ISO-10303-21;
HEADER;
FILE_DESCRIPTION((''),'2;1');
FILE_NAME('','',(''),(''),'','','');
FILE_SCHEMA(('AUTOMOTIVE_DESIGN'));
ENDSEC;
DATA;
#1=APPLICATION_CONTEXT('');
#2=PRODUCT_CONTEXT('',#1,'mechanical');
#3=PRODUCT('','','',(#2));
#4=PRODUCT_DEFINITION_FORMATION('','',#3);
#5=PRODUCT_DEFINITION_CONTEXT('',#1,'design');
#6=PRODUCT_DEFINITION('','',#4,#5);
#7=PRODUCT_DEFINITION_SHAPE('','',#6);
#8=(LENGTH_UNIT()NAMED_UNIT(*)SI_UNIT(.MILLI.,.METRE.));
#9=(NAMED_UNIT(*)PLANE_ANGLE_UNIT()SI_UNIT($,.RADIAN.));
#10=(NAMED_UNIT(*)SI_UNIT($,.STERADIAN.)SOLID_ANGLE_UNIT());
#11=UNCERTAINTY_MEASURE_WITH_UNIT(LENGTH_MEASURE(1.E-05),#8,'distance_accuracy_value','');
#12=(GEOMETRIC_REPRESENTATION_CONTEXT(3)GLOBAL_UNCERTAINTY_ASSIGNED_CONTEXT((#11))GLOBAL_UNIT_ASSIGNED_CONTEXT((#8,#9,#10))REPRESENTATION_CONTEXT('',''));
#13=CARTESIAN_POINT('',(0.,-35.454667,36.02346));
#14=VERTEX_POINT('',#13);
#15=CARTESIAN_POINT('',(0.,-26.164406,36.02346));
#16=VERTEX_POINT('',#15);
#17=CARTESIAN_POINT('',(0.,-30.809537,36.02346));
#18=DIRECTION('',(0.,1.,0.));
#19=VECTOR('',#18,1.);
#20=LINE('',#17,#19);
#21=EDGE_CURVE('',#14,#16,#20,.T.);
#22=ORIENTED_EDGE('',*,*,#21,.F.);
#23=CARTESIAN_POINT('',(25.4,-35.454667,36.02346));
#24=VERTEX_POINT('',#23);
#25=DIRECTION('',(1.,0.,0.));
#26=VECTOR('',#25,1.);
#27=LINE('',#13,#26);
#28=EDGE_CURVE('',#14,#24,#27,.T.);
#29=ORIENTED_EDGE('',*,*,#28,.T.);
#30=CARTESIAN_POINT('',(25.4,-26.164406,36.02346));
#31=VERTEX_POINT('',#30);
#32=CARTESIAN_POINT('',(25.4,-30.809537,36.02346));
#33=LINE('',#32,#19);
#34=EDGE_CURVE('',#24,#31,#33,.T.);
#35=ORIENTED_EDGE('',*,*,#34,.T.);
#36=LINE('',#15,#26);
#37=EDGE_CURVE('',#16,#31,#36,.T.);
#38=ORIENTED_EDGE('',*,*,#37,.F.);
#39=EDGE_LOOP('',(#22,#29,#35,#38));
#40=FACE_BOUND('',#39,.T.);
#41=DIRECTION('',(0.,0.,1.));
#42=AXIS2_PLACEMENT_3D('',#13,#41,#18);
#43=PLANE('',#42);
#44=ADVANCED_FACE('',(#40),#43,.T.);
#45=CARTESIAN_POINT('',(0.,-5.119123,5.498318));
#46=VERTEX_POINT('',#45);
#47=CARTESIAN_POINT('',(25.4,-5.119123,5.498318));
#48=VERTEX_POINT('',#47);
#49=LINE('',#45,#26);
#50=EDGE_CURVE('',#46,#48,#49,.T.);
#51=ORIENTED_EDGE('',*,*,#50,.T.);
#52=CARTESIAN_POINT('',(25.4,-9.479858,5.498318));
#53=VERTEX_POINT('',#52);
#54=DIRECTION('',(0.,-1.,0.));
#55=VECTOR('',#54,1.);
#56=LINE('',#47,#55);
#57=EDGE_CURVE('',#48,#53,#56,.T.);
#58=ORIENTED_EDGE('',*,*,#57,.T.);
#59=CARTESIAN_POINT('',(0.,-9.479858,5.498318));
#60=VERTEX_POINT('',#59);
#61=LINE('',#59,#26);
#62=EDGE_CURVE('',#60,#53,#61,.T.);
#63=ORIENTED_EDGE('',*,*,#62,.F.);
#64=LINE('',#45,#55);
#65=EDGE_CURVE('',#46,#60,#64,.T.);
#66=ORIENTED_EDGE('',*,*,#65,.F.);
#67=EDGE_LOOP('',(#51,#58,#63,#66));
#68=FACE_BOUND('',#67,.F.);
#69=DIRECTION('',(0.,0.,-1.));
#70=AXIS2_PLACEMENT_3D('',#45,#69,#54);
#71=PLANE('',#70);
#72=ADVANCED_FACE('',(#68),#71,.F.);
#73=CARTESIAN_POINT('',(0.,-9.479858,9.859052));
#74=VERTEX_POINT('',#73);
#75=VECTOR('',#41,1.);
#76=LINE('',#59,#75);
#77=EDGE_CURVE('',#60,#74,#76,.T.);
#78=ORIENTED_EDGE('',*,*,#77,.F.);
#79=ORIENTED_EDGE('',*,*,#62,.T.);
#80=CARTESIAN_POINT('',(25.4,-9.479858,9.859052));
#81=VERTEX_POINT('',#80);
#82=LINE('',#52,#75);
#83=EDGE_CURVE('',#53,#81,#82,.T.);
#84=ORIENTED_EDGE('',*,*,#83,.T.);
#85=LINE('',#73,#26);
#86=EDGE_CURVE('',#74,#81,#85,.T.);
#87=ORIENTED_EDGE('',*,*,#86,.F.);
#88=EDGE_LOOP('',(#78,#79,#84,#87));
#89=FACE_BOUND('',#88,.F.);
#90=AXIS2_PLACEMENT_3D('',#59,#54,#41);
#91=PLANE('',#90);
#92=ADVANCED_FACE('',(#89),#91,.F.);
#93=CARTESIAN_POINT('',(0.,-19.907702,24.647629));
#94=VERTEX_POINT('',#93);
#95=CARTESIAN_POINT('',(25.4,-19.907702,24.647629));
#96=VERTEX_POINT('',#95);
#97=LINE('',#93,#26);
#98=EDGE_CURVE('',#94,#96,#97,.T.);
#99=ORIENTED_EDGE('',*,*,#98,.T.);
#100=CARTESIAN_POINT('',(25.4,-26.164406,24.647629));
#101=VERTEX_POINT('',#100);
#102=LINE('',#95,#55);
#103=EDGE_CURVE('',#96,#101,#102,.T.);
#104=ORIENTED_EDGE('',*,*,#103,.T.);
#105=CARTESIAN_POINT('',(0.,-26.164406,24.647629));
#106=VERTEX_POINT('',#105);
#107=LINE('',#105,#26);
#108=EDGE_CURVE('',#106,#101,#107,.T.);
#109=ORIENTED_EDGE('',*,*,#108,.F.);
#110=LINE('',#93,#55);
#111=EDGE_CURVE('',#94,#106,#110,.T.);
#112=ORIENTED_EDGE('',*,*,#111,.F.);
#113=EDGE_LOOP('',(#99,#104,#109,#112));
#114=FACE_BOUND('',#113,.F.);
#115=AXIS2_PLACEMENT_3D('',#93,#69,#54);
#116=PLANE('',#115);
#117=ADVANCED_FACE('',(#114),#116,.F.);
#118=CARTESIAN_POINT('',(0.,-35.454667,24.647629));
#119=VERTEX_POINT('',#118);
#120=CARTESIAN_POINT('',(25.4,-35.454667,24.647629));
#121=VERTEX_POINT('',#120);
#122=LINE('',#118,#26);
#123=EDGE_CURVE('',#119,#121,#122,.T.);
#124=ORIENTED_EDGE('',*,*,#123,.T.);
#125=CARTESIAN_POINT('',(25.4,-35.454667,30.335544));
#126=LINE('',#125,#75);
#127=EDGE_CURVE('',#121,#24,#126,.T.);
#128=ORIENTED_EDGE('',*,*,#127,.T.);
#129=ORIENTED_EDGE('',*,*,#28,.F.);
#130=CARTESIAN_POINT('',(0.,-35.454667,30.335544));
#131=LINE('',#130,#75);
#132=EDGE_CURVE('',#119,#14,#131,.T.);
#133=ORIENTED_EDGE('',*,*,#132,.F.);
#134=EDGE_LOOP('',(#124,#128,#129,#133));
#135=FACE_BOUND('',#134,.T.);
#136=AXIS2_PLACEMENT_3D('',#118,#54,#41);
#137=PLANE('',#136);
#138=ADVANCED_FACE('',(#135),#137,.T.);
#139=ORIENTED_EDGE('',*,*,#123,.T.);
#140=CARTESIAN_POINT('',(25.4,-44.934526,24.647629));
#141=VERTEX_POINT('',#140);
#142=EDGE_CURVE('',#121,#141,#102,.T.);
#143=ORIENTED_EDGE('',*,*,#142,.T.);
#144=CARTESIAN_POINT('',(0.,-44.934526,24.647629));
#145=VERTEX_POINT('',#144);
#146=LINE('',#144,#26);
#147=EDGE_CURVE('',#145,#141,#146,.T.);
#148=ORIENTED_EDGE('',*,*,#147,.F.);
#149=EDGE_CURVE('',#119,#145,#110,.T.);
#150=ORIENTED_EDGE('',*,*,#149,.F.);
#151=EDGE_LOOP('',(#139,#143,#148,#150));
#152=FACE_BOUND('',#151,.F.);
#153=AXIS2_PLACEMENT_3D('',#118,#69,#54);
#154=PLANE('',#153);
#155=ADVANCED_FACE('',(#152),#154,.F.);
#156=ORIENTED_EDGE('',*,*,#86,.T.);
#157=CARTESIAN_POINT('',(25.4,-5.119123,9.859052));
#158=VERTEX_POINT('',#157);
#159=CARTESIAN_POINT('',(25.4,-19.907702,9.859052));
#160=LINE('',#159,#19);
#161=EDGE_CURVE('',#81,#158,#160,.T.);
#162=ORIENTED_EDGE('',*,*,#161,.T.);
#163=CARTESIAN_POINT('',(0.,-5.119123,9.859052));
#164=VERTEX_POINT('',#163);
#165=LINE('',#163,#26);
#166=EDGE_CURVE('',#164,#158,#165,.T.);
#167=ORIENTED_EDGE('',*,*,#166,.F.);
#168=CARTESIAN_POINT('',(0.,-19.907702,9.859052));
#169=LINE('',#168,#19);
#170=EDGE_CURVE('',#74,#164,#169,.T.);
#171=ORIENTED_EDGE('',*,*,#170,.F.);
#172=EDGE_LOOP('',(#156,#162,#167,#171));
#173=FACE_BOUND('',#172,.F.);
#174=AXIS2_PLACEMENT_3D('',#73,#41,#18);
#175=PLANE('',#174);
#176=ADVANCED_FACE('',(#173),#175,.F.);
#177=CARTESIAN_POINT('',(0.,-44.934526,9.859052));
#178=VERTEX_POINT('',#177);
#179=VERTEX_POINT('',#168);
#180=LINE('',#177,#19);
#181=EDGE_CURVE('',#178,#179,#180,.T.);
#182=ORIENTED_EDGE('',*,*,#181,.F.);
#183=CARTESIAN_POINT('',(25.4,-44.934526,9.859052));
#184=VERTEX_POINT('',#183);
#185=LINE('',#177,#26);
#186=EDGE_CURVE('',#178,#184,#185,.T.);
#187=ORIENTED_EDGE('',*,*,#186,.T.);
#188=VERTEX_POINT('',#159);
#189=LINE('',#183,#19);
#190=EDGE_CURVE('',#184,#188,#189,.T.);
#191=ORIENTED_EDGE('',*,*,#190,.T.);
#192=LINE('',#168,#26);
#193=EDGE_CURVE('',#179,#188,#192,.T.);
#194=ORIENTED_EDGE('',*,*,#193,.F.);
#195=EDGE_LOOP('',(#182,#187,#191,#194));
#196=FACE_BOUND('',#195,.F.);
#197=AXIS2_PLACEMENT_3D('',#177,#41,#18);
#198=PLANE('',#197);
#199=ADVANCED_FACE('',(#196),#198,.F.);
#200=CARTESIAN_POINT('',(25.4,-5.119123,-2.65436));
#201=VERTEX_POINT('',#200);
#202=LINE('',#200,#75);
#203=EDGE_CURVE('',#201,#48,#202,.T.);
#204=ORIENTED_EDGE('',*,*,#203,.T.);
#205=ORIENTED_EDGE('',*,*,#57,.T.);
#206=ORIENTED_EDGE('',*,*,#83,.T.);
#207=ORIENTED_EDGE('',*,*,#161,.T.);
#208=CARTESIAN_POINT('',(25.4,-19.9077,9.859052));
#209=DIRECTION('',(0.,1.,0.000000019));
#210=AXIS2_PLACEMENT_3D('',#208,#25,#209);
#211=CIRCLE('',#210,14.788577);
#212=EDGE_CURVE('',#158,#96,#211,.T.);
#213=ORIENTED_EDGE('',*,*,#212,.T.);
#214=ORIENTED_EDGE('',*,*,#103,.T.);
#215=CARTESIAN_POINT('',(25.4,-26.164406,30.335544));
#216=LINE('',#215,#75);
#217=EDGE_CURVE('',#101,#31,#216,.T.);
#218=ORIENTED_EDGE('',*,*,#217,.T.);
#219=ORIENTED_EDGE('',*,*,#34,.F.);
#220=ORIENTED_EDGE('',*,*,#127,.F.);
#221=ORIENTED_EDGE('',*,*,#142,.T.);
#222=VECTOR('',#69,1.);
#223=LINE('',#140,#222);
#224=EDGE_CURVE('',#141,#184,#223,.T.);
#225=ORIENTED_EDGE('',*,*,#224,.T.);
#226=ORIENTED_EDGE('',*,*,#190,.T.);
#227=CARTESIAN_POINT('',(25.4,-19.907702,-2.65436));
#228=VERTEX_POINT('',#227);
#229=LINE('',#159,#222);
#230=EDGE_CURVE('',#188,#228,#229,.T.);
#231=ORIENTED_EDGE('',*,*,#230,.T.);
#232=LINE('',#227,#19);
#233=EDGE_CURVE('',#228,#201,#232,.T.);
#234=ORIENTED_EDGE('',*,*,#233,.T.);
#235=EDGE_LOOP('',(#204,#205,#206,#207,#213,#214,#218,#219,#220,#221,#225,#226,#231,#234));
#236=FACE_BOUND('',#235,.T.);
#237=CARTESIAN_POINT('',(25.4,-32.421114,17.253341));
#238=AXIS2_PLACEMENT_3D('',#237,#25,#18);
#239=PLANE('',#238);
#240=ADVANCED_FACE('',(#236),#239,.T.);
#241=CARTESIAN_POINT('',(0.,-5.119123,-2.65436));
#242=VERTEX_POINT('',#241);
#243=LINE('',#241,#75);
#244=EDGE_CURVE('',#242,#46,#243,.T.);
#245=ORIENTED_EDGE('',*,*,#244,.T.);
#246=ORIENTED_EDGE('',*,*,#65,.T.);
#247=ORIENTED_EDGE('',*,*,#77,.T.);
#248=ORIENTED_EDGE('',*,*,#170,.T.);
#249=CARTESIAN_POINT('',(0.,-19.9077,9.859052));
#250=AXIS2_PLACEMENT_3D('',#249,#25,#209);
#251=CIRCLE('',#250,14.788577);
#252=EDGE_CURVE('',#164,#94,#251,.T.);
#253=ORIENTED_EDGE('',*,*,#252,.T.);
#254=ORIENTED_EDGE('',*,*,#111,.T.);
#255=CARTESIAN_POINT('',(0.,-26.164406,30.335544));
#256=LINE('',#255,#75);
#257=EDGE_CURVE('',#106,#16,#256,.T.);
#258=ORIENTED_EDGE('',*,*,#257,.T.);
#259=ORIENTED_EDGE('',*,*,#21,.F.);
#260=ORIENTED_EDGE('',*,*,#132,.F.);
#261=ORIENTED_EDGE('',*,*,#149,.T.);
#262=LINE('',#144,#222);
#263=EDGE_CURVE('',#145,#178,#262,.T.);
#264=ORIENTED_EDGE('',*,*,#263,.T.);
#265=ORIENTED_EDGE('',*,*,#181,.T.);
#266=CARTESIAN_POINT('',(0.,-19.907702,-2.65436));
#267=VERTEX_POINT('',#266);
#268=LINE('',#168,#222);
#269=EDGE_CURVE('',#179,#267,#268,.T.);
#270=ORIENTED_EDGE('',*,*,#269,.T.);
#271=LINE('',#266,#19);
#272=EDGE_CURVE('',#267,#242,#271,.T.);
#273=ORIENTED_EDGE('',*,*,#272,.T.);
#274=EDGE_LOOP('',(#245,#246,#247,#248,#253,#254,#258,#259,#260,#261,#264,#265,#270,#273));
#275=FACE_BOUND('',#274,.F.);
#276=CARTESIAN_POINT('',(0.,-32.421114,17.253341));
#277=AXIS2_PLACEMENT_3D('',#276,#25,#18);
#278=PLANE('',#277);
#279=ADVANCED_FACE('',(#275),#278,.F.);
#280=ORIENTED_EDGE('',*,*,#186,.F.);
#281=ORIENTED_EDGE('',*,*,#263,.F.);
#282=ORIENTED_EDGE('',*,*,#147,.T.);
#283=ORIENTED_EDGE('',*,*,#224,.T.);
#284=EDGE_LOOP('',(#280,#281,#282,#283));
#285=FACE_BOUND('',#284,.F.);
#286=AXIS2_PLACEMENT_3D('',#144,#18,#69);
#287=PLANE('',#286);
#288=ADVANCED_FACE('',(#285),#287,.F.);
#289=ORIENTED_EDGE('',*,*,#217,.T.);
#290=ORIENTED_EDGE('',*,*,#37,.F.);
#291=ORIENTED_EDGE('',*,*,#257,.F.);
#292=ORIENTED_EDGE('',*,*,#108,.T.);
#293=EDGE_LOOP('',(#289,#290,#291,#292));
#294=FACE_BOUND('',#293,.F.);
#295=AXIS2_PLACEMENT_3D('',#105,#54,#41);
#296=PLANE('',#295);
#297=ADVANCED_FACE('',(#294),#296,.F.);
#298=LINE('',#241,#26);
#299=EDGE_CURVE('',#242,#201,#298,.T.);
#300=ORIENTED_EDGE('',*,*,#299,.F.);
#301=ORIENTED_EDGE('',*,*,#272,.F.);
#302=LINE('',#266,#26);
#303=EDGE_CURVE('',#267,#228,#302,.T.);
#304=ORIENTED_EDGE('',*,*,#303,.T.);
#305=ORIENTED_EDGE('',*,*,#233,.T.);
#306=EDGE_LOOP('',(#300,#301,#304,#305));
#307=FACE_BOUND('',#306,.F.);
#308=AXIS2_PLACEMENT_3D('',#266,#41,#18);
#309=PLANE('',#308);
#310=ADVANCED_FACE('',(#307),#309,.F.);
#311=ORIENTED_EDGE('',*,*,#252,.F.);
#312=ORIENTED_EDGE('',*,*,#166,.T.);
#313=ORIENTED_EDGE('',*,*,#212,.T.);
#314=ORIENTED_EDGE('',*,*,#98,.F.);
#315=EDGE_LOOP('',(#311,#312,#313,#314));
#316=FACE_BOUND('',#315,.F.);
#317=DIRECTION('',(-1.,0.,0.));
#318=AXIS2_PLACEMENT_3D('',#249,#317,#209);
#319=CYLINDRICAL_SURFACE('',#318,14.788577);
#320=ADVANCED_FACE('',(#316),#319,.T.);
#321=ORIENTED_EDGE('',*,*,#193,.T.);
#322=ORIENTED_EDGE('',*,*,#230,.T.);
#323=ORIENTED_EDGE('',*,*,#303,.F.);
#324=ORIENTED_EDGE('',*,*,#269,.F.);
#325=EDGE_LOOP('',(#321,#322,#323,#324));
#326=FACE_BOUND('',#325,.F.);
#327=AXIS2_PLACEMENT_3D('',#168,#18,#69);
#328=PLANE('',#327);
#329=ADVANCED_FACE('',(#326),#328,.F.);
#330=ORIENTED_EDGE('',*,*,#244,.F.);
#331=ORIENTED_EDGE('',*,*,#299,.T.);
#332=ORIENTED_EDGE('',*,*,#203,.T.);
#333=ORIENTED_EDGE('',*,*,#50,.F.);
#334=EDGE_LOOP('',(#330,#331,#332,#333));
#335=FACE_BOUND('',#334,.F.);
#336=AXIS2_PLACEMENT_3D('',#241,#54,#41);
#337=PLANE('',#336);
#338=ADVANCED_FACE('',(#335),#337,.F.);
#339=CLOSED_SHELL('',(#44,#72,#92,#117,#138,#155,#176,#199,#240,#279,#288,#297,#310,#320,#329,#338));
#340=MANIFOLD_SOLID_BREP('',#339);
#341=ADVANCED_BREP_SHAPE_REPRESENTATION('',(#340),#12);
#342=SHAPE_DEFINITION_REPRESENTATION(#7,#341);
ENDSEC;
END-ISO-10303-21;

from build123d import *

# Parameters (mm, degrees)
F0_W     = 9.290261
F0_H     = 11.375831
F1_DEPTH = 25.4


with BuildPart() as f1:
    # F0 (on Right) → F1 (new body)
    with BuildSketch(Plane.YZ):
        Polygon((-35.454668, 24.647629), (-44.934526, 24.647629), (-44.934526, 9.859052), (-19.907702, 9.859052), (-19.907702, 24.647629), (-26.164407, 24.647629), align=None)
        with Locations((-30.809537, 30.335544)):
            Rectangle(F0_W, F0_H)
        Polygon((-9.479858, 9.859052), (-19.907702, 9.859052), (-19.907702, -2.65436), (-5.119123, -2.65436), (-5.119123, 5.498318), (-9.479858, 5.498318), align=None)
        with BuildLine():
            Line((-19.907702, 24.647629), (-19.907702, 9.859052))
            Line((-19.907702, 9.859052), (-9.479858, 9.859052))
            Line((-9.479858, 9.859052), (-5.119123, 9.859052))
            ThreePointArc((-5.119123, 9.859052), (-9.450598, 20.316156), (-19.907702, 24.647629))
        make_face()
    extrude(amount=F1_DEPTH)


solid = f1.part
